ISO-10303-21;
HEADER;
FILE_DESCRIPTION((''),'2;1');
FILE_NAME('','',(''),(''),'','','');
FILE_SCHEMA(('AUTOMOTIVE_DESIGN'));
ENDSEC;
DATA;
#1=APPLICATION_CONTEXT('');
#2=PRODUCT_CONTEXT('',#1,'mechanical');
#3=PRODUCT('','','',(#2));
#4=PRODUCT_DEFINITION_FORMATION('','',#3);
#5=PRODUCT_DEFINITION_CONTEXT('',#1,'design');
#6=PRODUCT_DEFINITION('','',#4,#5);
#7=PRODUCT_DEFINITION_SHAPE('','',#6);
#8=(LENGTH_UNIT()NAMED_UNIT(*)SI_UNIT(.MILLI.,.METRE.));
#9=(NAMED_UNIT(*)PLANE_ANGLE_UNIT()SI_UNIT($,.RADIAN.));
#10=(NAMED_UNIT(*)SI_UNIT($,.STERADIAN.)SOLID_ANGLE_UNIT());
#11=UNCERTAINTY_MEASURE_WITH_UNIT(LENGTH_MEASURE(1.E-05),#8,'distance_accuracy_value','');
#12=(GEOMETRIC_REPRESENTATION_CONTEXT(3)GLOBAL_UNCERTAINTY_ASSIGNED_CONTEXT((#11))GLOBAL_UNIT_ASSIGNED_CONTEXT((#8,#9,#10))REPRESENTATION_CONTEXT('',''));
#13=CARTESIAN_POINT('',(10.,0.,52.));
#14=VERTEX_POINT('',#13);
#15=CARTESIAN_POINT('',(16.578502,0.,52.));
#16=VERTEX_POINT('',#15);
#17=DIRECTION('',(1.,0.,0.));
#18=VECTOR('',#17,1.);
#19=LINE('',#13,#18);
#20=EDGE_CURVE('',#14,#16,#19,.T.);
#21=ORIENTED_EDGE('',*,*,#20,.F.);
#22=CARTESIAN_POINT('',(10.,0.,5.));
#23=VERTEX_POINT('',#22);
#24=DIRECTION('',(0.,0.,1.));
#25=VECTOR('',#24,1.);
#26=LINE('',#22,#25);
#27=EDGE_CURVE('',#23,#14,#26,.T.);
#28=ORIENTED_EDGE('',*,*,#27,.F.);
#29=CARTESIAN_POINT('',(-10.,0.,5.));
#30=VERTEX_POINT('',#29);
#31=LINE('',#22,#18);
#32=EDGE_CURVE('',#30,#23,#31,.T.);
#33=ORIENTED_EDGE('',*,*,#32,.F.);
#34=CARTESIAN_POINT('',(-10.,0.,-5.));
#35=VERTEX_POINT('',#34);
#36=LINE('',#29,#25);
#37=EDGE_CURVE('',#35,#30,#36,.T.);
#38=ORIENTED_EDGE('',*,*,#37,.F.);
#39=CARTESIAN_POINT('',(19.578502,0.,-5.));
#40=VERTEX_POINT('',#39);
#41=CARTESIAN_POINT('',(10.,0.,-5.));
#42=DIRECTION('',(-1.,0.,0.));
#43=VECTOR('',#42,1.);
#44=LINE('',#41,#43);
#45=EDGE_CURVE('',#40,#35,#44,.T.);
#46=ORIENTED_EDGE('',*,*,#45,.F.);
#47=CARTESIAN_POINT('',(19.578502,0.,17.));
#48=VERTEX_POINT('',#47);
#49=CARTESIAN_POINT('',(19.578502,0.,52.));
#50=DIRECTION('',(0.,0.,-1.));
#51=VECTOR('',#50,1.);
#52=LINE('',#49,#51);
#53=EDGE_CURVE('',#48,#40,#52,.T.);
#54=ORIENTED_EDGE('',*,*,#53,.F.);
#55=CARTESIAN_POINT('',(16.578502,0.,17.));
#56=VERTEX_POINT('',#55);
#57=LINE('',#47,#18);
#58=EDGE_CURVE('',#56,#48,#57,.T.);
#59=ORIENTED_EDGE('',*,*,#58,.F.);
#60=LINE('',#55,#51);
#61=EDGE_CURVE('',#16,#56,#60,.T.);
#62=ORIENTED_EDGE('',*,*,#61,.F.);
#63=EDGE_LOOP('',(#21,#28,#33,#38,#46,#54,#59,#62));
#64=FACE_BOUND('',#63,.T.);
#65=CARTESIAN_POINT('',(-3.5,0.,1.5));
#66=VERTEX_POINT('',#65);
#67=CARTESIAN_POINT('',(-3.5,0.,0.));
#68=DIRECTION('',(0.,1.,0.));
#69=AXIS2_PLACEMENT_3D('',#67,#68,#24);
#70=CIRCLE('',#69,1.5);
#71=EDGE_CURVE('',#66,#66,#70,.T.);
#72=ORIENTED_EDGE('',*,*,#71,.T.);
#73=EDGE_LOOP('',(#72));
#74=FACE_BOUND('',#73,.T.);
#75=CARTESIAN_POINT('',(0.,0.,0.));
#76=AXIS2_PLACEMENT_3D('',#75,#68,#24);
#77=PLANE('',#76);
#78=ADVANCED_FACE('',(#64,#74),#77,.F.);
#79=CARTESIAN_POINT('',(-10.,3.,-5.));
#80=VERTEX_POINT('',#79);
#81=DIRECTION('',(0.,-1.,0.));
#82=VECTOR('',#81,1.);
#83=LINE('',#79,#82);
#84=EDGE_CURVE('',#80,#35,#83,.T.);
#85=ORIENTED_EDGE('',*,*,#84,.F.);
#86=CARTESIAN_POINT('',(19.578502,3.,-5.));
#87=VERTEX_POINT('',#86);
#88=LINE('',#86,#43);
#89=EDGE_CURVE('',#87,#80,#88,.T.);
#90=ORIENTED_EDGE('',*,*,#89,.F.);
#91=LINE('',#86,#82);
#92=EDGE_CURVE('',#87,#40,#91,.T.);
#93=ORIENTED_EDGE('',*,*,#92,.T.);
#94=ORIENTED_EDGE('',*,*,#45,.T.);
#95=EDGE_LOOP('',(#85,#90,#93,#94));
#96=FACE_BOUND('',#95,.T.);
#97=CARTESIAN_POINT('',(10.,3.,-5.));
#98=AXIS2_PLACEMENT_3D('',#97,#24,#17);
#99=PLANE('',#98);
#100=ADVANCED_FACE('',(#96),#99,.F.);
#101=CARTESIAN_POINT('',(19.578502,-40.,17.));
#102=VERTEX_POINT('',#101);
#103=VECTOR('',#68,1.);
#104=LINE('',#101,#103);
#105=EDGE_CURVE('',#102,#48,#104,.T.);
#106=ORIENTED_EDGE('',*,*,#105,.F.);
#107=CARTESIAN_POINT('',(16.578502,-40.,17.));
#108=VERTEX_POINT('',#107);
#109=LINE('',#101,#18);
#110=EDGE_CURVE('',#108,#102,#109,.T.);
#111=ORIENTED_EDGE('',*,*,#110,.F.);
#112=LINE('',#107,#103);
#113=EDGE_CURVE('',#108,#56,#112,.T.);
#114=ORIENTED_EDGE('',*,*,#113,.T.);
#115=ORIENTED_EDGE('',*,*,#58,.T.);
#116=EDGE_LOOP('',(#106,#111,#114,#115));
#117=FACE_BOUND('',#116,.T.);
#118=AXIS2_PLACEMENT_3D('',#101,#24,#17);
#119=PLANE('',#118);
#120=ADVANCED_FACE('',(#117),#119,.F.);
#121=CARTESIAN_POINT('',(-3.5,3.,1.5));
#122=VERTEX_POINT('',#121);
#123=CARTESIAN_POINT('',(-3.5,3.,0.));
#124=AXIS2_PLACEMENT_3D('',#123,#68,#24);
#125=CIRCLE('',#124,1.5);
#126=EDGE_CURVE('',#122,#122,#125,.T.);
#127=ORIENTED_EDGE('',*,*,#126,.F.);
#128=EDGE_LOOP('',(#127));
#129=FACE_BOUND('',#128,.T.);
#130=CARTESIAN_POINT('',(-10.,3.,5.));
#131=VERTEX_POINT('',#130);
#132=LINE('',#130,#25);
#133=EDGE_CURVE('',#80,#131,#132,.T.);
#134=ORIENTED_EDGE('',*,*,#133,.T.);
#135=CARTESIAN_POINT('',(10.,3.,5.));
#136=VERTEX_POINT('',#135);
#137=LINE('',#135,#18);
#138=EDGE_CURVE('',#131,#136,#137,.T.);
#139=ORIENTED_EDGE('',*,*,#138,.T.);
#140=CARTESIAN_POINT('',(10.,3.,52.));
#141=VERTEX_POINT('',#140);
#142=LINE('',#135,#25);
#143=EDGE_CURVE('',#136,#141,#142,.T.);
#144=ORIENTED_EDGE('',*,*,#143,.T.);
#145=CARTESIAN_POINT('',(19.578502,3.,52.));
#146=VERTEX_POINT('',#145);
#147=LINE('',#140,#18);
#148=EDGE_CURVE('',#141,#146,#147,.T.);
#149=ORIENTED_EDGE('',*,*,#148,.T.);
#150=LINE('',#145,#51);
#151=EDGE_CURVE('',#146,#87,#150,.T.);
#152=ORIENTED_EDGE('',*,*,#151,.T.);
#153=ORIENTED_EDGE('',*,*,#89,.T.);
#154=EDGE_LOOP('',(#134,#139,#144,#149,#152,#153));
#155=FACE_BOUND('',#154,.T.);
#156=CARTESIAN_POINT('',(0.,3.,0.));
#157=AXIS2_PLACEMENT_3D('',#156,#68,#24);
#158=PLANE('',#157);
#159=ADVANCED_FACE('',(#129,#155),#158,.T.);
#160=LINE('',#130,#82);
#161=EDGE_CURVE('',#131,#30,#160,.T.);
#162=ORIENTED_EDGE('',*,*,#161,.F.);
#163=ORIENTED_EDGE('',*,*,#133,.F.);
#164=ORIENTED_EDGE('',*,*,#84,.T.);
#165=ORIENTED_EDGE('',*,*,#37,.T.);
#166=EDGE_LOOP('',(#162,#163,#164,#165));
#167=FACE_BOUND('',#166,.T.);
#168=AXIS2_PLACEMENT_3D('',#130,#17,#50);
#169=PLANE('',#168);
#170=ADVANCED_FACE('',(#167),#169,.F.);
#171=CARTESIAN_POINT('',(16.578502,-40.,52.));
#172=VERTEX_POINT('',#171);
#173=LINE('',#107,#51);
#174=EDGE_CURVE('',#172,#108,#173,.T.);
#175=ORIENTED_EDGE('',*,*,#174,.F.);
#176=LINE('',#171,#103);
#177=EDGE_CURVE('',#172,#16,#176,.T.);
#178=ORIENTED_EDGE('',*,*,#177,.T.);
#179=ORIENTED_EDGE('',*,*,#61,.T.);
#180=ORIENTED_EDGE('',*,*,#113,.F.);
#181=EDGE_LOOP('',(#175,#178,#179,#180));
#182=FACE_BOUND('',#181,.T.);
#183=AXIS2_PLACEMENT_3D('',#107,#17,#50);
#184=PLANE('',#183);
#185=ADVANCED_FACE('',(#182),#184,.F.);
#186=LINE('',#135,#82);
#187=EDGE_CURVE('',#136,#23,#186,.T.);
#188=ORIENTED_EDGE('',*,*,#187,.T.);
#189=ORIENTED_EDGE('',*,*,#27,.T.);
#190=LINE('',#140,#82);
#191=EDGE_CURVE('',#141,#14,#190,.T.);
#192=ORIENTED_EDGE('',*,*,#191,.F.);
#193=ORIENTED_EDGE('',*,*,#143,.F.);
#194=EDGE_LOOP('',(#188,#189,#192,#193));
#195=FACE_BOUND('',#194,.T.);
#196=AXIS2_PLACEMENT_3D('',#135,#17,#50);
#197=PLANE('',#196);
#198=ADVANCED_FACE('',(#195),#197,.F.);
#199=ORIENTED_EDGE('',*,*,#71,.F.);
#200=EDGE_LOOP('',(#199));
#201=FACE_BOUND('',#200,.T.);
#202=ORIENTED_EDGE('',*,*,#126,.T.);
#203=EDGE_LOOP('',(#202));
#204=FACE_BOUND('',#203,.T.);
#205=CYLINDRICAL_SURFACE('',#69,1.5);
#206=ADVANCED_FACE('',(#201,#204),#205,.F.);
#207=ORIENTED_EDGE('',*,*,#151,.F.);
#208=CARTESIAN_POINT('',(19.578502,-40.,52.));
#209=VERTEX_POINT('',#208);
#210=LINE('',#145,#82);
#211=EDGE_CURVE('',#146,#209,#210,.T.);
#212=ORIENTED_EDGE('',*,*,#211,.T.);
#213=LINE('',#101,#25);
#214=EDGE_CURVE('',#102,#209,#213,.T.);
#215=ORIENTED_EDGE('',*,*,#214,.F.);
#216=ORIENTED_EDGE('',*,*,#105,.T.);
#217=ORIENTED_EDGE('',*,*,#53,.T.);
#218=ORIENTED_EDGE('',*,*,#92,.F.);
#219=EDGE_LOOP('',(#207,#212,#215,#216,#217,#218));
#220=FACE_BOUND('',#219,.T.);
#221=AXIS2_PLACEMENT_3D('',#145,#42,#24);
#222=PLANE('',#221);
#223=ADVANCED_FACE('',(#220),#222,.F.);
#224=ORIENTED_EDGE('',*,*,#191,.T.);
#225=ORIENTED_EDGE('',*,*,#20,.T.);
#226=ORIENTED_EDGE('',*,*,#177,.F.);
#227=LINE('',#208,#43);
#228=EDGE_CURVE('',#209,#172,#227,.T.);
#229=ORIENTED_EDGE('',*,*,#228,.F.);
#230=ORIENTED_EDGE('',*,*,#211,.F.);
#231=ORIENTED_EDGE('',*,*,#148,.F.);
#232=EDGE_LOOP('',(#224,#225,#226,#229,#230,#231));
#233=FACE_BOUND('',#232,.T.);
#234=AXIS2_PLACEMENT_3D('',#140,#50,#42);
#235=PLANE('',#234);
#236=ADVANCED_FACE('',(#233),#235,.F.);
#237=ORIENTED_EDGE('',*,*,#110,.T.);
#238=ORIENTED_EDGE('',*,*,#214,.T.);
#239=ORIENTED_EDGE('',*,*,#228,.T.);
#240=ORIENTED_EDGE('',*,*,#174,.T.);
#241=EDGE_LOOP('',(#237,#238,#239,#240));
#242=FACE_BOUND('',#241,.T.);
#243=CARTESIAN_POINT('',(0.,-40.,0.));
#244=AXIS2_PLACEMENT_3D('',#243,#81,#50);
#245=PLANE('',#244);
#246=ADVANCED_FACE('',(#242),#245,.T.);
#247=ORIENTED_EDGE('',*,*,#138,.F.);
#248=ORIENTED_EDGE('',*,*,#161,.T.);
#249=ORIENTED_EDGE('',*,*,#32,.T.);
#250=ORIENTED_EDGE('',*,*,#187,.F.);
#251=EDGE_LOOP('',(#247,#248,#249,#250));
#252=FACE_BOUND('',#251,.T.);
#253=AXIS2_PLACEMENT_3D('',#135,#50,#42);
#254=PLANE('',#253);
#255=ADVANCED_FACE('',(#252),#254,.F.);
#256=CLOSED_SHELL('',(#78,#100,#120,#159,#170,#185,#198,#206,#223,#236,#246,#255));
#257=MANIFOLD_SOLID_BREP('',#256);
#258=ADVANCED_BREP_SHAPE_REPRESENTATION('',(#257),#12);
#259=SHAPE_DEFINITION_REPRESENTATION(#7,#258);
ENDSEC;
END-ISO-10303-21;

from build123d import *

# Parameters (mm, degrees)
BOSS_EXTRUDE1_DEPTH = 3
SKETCH2_R           = 1.5
CUT_EXTRUDE1_DEPTH  = 3
SKETCH3_W           = 3
SKETCH3_H           = 35
BOSS_EXTRUDE2_DEPTH = 40


with BuildPart() as part:
    # Sketch1 → Boss-Extrude1 (new body)
    with BuildSketch(Plane(origin=(0, 0, 0), x_dir=(1, 0, 0), z_dir=(0, 1, 0))):
        Polygon((10, -5), (10, -52), (19.57850172, -52), (19.57850172, 5), (10, 5), (-10, 5), (-10, -5), align=None)
    extrude(amount=BOSS_EXTRUDE1_DEPTH)

    # Sketch2 → Cut-Extrude1 (cut)
    with BuildSketch(Plane(origin=(0, 3, 0), x_dir=(1, 0, 0), z_dir=(0, 1, 0))):
        with Locations(Location((-3.5, 0, 0), (0, 0, 270))):
            Circle(SKETCH2_R)
    extrude(amount=-CUT_EXTRUDE1_DEPTH, mode=Mode.SUBTRACT)

    # Sketch3 → Boss-Extrude2 (add)
    with BuildSketch(Plane.XZ):
        with Locations((18.07850172, 34.5)):
            Rectangle(SKETCH3_W, SKETCH3_H)
    extrude(amount=BOSS_EXTRUDE2_DEPTH)


solid = part.part
